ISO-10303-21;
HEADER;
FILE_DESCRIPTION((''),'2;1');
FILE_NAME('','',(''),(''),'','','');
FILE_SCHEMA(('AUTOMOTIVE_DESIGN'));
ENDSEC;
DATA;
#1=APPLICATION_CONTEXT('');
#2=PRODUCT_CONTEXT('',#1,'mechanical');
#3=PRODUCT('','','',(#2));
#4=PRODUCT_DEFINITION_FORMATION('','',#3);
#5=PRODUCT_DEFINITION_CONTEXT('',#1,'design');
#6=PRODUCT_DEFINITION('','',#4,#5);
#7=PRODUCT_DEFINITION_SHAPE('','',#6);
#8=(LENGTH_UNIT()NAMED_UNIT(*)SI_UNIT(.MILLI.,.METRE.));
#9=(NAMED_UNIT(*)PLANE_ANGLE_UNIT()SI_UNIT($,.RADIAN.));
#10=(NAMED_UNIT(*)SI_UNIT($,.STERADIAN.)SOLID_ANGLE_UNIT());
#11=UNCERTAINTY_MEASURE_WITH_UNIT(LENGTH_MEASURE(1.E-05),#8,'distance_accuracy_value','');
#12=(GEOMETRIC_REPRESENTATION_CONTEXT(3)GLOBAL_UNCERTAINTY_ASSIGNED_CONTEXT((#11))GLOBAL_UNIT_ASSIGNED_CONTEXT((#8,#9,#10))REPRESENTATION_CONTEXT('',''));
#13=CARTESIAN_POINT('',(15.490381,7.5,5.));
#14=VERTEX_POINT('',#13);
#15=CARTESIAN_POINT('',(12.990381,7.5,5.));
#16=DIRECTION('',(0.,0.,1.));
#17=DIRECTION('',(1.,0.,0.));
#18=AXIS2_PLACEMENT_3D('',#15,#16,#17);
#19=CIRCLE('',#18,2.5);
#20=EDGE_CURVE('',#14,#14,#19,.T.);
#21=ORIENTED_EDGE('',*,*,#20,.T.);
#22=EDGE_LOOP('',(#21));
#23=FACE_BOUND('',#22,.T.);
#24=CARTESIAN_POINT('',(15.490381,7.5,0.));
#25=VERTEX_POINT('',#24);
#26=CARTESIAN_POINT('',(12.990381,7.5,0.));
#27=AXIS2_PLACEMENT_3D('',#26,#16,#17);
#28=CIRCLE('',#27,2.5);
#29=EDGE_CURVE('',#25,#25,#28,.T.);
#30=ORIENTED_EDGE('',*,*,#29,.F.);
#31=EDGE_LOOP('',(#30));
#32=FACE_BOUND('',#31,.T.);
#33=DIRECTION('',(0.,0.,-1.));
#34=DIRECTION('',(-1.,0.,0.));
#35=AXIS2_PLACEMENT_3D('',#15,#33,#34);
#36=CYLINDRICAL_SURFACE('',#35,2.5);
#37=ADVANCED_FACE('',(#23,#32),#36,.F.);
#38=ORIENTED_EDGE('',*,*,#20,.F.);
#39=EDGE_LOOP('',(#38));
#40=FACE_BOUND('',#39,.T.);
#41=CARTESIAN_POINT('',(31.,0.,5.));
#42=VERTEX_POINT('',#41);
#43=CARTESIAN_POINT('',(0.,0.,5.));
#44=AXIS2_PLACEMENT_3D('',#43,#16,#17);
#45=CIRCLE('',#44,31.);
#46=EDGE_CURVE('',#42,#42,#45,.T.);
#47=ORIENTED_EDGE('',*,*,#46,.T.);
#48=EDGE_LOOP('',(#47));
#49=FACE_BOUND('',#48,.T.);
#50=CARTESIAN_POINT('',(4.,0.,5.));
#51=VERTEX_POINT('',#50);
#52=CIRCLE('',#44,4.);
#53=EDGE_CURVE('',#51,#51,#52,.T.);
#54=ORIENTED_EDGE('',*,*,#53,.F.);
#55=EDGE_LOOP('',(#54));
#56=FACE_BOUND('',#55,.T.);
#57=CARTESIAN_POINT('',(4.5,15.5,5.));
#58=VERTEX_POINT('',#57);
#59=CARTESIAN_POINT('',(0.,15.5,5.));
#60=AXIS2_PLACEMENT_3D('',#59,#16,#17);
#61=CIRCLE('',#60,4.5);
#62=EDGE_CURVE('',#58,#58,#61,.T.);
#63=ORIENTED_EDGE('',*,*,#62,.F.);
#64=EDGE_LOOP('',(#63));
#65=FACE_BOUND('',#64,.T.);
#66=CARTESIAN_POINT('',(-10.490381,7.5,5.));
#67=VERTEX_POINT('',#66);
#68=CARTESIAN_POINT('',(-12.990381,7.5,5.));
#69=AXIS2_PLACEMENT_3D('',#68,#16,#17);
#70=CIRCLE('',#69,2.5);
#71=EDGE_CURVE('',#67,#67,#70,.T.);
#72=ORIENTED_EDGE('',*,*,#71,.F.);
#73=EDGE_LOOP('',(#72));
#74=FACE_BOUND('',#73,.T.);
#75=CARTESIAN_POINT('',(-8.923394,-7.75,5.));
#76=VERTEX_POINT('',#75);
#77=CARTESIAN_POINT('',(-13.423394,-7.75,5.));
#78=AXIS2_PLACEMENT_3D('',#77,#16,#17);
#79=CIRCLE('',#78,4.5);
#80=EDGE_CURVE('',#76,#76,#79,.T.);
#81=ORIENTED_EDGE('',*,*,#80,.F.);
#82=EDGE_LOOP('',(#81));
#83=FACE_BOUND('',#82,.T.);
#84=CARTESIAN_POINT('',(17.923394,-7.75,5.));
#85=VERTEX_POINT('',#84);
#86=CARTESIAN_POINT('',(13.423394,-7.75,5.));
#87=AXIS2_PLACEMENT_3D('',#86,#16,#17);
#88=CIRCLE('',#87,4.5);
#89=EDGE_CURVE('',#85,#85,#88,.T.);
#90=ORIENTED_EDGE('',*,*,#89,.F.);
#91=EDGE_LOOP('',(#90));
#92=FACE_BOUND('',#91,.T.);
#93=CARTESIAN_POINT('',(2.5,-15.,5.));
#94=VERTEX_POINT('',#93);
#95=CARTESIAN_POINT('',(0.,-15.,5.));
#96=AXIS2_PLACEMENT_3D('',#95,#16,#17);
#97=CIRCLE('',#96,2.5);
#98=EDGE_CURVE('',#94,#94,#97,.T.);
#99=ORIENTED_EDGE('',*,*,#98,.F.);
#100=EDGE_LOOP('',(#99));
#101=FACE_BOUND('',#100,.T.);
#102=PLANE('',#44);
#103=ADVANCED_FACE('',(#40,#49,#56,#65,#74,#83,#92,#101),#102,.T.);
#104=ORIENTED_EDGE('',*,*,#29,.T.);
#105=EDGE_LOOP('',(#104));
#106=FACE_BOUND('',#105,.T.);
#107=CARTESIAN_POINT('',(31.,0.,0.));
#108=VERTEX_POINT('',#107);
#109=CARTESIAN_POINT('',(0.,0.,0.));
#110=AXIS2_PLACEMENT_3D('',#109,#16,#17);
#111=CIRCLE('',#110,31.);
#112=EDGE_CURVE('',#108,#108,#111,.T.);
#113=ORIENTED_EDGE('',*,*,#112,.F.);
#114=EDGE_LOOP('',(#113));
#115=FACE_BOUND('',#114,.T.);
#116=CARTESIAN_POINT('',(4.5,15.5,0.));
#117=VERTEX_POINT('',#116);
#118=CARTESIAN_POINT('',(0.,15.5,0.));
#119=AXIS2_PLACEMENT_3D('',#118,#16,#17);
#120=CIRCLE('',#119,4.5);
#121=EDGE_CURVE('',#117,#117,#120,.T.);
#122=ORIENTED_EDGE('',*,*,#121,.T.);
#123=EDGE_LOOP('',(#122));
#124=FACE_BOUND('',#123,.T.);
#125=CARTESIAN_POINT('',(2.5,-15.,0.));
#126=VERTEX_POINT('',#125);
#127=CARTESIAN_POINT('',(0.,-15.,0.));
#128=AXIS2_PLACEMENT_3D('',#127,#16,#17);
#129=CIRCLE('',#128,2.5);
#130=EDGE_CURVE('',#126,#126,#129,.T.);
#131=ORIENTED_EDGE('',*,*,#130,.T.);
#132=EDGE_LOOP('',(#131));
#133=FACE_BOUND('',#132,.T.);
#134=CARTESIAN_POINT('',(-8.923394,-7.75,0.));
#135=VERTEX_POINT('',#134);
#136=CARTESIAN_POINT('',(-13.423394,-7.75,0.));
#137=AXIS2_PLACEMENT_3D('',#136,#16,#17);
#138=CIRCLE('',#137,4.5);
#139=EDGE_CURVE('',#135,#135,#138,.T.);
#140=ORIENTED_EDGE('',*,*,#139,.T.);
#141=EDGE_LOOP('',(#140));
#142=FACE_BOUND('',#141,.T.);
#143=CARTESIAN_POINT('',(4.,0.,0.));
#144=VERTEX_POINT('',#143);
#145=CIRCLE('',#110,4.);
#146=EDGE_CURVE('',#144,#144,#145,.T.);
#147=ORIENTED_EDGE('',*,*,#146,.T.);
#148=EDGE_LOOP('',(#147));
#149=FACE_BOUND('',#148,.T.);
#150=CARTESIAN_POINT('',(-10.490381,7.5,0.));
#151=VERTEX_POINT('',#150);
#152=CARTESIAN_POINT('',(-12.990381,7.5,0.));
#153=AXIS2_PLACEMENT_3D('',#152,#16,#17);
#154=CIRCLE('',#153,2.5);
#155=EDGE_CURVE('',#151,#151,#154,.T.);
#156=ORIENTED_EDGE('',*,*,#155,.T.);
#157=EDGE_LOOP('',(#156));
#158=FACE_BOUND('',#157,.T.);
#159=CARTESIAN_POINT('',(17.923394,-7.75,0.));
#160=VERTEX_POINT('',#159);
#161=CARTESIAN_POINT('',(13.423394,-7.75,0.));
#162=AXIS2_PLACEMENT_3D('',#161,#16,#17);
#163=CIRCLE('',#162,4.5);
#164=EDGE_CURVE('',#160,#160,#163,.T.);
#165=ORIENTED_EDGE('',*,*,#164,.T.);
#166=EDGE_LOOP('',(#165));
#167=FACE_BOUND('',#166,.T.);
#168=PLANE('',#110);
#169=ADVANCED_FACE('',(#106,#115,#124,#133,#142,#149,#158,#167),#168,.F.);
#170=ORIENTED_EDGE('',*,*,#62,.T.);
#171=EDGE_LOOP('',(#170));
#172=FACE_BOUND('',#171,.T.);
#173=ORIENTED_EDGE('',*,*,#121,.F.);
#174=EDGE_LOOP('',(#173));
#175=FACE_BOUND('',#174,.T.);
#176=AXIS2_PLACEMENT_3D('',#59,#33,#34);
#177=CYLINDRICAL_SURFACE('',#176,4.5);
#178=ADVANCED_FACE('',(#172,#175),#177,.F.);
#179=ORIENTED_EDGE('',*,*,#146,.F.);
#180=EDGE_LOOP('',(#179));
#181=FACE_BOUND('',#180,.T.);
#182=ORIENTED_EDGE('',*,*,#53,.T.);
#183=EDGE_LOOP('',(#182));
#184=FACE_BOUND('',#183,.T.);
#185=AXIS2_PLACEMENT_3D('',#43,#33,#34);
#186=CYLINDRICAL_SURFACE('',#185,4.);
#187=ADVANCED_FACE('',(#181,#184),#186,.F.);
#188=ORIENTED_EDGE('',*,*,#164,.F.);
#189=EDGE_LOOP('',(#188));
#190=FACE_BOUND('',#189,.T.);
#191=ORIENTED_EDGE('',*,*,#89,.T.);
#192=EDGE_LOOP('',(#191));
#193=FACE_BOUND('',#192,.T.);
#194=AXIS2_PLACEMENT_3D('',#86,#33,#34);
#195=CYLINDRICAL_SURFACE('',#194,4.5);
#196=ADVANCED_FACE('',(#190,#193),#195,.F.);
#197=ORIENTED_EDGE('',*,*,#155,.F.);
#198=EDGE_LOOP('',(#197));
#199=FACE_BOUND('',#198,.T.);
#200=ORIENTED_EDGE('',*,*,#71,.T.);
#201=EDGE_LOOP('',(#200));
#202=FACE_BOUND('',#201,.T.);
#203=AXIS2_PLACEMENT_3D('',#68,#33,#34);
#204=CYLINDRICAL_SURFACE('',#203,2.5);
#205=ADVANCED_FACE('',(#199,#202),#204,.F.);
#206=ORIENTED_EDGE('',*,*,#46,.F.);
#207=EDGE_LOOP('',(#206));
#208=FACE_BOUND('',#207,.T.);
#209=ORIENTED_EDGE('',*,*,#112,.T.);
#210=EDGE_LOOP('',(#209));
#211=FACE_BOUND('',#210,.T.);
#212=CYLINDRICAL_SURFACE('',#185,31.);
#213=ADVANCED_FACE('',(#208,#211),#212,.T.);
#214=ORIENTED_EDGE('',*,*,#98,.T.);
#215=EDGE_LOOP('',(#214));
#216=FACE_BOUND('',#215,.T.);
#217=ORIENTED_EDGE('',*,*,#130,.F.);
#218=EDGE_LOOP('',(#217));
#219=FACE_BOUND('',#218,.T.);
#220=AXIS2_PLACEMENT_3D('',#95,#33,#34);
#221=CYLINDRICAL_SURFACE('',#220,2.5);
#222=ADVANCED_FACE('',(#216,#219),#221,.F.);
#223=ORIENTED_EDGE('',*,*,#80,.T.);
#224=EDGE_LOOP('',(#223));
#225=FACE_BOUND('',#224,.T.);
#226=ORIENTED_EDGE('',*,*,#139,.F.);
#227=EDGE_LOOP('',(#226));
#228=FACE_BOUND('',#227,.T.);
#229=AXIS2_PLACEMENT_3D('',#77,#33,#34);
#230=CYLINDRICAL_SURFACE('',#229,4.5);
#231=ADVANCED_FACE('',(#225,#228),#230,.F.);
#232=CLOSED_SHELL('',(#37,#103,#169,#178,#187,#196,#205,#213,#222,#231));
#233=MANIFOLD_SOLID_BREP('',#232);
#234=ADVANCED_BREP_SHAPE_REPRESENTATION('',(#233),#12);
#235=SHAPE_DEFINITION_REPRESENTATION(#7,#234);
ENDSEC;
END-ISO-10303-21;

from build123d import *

# Parameters (mm, degrees)
SKETCH1_R           = 31
SKETCH1_R_2         = 4
SKETCH1_R_3         = 2.5
SKETCH1_R_4         = 4.5
BOSS_EXTRUDE1_DEPTH = 5


with BuildPart() as part:
    # Sketch1 → Boss-Extrude1 (new body)
    with BuildSketch(Plane.XY):
        Circle(SKETCH1_R)
        Circle(SKETCH1_R_2, mode=Mode.SUBTRACT)
        with Locations((0, -15)):
            Circle(SKETCH1_R_3, mode=Mode.SUBTRACT)
        with Locations((-12.990381057, 7.5)):
            Circle(SKETCH1_R_3, mode=Mode.SUBTRACT)
        with Locations((12.990381057, 7.5)):
            Circle(SKETCH1_R_3, mode=Mode.SUBTRACT)
        with Locations((0, 15.5)):
            Circle(SKETCH1_R_4, mode=Mode.SUBTRACT)
        with Locations((13.423393759, -7.75)):
            Circle(SKETCH1_R_4, mode=Mode.SUBTRACT)
        with Locations((-13.423393759, -7.75)):
            Circle(SKETCH1_R_4, mode=Mode.SUBTRACT)
    extrude(amount=BOSS_EXTRUDE1_DEPTH)


solid = part.part
